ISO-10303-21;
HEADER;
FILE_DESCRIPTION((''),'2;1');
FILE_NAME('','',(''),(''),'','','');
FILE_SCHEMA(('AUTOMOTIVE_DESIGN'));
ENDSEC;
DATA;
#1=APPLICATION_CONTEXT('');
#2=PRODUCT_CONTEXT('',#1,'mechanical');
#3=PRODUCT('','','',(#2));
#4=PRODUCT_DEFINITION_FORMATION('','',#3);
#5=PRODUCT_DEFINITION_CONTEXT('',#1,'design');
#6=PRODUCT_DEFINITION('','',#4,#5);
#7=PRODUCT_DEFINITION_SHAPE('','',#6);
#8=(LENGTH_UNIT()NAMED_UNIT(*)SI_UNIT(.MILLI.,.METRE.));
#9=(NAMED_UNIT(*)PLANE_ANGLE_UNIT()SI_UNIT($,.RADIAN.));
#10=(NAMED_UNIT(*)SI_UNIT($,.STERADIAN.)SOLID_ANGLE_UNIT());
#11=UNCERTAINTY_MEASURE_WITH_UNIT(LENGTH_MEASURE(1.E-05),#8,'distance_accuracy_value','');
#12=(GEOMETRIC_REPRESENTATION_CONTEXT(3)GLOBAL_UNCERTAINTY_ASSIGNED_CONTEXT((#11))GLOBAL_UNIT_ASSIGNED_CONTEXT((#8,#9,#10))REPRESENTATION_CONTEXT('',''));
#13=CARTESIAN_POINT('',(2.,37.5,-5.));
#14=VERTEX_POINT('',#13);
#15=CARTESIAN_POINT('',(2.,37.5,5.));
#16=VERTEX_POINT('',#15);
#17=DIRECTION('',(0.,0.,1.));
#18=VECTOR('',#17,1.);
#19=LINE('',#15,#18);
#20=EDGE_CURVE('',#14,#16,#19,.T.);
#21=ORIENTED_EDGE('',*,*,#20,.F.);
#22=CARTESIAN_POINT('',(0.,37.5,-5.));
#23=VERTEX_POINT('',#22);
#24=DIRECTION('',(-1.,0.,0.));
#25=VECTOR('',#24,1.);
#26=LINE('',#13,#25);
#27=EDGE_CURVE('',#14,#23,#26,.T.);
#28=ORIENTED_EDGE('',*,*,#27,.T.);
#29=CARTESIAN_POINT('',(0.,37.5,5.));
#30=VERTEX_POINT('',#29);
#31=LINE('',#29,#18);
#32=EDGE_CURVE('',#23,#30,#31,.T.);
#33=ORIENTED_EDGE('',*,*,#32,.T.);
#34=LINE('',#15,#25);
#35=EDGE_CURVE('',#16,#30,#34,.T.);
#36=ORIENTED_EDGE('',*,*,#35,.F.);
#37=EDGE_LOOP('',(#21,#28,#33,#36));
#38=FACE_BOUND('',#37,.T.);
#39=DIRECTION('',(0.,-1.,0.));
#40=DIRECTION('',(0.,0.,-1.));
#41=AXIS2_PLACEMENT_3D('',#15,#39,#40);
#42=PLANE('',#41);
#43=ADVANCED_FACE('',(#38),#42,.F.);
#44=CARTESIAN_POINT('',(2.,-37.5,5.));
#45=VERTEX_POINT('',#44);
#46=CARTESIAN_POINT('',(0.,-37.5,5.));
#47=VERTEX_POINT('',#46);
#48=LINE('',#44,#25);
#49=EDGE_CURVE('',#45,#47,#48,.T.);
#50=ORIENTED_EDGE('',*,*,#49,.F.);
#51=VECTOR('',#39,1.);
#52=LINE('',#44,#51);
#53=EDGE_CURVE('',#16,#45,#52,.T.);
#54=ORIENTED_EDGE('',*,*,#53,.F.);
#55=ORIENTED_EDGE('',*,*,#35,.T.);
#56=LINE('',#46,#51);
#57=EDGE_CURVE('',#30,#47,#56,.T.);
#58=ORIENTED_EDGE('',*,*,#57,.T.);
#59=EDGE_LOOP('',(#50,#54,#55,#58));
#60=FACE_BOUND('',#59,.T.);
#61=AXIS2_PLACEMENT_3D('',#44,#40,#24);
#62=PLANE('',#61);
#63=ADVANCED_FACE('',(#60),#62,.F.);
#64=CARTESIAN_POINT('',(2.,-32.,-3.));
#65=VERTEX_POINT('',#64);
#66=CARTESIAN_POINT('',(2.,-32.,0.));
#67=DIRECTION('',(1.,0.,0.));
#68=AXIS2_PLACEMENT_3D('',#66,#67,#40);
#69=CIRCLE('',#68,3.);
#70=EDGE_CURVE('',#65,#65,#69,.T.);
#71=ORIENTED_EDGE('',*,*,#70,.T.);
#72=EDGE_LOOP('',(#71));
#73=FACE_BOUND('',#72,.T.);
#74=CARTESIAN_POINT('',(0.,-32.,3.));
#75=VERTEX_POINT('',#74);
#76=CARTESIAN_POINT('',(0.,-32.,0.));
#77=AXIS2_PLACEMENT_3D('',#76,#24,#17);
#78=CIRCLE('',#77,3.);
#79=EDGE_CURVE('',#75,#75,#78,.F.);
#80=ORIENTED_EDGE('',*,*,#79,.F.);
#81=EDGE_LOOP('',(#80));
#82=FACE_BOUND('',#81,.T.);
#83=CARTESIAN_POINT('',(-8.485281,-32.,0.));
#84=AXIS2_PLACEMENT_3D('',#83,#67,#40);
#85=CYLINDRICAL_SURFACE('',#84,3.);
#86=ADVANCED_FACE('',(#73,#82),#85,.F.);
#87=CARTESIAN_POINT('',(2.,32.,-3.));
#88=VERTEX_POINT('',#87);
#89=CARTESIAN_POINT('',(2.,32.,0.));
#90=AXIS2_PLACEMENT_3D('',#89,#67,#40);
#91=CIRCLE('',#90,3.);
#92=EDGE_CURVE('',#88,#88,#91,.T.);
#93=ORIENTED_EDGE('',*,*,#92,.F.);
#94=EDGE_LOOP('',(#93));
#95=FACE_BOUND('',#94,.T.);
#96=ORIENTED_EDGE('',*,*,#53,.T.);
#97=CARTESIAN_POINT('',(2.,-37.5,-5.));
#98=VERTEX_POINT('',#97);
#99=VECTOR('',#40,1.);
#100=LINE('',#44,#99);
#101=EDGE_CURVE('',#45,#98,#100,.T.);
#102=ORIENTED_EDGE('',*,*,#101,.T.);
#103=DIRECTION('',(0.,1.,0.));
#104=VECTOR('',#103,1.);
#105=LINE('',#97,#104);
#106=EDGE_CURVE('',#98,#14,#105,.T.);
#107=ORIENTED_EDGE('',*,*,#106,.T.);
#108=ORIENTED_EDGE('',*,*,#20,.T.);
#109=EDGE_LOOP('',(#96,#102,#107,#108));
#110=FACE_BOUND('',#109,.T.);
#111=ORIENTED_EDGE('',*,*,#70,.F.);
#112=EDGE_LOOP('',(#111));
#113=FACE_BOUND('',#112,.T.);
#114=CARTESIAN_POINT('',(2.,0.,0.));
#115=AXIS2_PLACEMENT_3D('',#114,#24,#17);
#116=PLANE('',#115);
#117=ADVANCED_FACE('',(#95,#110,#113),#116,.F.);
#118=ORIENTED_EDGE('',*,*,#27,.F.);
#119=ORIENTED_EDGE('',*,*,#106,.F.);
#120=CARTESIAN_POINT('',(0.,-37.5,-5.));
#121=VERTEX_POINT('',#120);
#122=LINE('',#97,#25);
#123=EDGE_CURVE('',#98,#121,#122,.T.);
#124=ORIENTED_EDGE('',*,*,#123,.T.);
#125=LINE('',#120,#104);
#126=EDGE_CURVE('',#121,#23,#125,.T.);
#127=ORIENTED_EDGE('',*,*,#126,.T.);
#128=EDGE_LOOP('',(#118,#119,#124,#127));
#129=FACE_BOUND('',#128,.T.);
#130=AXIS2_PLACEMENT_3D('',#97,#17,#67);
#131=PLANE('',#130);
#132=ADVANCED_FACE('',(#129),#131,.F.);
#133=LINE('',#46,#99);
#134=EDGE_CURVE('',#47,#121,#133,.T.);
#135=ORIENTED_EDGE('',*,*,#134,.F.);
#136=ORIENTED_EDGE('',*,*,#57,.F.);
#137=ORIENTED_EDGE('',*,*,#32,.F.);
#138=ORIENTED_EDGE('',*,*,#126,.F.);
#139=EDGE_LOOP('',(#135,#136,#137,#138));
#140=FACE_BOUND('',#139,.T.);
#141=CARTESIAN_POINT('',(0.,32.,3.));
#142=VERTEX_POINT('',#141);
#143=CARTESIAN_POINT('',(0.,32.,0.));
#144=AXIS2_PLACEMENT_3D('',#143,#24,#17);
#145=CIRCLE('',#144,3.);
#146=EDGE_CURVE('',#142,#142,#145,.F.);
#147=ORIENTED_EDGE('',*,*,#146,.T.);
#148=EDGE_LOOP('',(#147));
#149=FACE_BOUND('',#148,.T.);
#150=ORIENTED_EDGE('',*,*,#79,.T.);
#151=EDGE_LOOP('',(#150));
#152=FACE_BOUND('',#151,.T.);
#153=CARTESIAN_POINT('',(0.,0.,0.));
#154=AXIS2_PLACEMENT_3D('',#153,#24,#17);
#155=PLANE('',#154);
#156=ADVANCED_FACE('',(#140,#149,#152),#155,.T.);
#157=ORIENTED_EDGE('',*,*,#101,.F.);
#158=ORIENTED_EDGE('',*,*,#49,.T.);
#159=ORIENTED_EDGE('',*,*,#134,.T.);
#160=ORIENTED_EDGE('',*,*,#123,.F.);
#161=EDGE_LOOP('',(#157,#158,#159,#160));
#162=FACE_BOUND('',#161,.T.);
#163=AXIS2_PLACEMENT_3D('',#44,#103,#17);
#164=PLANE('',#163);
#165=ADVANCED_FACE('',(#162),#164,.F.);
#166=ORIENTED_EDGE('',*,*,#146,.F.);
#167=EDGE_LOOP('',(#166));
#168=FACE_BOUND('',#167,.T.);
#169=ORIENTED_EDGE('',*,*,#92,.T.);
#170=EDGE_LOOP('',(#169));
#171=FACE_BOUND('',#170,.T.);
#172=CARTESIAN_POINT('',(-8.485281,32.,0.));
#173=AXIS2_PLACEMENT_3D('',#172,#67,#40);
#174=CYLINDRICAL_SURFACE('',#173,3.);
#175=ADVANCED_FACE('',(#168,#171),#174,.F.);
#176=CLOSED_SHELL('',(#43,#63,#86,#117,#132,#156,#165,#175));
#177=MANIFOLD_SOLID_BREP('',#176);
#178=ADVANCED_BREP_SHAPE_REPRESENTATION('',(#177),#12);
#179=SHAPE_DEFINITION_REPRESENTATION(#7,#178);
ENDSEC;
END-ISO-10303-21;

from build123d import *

# Parameters (mm, degrees)
SKETCH1_W           = 10
SKETCH1_H           = 75
BOSS_EXTRUDE1_DEPTH = 2
SKETCH2_R           = 3
CUT_EXTRUDE1_DEPTH  = 2


with BuildPart() as part:
    # Sketch1 → Boss-Extrude1 (new body)
    with BuildSketch(Plane(origin=(0, 0, 0), x_dir=(0, 0, -1), z_dir=(1, 0, 0))):
        Rectangle(SKETCH1_W, SKETCH1_H)
    extrude(amount=BOSS_EXTRUDE1_DEPTH)

    # Sketch2 → Cut-Extrude1 (cut)
    with BuildSketch(Plane(origin=(2, 0, 0), x_dir=(0, 0, -1), z_dir=(1, 0, 0))):
        with Locations((0, -32)):
            Circle(SKETCH2_R)
        with Locations((0, 32)):
            Circle(SKETCH2_R)
    extrude(amount=-CUT_EXTRUDE1_DEPTH, mode=Mode.SUBTRACT)


solid = part.part
